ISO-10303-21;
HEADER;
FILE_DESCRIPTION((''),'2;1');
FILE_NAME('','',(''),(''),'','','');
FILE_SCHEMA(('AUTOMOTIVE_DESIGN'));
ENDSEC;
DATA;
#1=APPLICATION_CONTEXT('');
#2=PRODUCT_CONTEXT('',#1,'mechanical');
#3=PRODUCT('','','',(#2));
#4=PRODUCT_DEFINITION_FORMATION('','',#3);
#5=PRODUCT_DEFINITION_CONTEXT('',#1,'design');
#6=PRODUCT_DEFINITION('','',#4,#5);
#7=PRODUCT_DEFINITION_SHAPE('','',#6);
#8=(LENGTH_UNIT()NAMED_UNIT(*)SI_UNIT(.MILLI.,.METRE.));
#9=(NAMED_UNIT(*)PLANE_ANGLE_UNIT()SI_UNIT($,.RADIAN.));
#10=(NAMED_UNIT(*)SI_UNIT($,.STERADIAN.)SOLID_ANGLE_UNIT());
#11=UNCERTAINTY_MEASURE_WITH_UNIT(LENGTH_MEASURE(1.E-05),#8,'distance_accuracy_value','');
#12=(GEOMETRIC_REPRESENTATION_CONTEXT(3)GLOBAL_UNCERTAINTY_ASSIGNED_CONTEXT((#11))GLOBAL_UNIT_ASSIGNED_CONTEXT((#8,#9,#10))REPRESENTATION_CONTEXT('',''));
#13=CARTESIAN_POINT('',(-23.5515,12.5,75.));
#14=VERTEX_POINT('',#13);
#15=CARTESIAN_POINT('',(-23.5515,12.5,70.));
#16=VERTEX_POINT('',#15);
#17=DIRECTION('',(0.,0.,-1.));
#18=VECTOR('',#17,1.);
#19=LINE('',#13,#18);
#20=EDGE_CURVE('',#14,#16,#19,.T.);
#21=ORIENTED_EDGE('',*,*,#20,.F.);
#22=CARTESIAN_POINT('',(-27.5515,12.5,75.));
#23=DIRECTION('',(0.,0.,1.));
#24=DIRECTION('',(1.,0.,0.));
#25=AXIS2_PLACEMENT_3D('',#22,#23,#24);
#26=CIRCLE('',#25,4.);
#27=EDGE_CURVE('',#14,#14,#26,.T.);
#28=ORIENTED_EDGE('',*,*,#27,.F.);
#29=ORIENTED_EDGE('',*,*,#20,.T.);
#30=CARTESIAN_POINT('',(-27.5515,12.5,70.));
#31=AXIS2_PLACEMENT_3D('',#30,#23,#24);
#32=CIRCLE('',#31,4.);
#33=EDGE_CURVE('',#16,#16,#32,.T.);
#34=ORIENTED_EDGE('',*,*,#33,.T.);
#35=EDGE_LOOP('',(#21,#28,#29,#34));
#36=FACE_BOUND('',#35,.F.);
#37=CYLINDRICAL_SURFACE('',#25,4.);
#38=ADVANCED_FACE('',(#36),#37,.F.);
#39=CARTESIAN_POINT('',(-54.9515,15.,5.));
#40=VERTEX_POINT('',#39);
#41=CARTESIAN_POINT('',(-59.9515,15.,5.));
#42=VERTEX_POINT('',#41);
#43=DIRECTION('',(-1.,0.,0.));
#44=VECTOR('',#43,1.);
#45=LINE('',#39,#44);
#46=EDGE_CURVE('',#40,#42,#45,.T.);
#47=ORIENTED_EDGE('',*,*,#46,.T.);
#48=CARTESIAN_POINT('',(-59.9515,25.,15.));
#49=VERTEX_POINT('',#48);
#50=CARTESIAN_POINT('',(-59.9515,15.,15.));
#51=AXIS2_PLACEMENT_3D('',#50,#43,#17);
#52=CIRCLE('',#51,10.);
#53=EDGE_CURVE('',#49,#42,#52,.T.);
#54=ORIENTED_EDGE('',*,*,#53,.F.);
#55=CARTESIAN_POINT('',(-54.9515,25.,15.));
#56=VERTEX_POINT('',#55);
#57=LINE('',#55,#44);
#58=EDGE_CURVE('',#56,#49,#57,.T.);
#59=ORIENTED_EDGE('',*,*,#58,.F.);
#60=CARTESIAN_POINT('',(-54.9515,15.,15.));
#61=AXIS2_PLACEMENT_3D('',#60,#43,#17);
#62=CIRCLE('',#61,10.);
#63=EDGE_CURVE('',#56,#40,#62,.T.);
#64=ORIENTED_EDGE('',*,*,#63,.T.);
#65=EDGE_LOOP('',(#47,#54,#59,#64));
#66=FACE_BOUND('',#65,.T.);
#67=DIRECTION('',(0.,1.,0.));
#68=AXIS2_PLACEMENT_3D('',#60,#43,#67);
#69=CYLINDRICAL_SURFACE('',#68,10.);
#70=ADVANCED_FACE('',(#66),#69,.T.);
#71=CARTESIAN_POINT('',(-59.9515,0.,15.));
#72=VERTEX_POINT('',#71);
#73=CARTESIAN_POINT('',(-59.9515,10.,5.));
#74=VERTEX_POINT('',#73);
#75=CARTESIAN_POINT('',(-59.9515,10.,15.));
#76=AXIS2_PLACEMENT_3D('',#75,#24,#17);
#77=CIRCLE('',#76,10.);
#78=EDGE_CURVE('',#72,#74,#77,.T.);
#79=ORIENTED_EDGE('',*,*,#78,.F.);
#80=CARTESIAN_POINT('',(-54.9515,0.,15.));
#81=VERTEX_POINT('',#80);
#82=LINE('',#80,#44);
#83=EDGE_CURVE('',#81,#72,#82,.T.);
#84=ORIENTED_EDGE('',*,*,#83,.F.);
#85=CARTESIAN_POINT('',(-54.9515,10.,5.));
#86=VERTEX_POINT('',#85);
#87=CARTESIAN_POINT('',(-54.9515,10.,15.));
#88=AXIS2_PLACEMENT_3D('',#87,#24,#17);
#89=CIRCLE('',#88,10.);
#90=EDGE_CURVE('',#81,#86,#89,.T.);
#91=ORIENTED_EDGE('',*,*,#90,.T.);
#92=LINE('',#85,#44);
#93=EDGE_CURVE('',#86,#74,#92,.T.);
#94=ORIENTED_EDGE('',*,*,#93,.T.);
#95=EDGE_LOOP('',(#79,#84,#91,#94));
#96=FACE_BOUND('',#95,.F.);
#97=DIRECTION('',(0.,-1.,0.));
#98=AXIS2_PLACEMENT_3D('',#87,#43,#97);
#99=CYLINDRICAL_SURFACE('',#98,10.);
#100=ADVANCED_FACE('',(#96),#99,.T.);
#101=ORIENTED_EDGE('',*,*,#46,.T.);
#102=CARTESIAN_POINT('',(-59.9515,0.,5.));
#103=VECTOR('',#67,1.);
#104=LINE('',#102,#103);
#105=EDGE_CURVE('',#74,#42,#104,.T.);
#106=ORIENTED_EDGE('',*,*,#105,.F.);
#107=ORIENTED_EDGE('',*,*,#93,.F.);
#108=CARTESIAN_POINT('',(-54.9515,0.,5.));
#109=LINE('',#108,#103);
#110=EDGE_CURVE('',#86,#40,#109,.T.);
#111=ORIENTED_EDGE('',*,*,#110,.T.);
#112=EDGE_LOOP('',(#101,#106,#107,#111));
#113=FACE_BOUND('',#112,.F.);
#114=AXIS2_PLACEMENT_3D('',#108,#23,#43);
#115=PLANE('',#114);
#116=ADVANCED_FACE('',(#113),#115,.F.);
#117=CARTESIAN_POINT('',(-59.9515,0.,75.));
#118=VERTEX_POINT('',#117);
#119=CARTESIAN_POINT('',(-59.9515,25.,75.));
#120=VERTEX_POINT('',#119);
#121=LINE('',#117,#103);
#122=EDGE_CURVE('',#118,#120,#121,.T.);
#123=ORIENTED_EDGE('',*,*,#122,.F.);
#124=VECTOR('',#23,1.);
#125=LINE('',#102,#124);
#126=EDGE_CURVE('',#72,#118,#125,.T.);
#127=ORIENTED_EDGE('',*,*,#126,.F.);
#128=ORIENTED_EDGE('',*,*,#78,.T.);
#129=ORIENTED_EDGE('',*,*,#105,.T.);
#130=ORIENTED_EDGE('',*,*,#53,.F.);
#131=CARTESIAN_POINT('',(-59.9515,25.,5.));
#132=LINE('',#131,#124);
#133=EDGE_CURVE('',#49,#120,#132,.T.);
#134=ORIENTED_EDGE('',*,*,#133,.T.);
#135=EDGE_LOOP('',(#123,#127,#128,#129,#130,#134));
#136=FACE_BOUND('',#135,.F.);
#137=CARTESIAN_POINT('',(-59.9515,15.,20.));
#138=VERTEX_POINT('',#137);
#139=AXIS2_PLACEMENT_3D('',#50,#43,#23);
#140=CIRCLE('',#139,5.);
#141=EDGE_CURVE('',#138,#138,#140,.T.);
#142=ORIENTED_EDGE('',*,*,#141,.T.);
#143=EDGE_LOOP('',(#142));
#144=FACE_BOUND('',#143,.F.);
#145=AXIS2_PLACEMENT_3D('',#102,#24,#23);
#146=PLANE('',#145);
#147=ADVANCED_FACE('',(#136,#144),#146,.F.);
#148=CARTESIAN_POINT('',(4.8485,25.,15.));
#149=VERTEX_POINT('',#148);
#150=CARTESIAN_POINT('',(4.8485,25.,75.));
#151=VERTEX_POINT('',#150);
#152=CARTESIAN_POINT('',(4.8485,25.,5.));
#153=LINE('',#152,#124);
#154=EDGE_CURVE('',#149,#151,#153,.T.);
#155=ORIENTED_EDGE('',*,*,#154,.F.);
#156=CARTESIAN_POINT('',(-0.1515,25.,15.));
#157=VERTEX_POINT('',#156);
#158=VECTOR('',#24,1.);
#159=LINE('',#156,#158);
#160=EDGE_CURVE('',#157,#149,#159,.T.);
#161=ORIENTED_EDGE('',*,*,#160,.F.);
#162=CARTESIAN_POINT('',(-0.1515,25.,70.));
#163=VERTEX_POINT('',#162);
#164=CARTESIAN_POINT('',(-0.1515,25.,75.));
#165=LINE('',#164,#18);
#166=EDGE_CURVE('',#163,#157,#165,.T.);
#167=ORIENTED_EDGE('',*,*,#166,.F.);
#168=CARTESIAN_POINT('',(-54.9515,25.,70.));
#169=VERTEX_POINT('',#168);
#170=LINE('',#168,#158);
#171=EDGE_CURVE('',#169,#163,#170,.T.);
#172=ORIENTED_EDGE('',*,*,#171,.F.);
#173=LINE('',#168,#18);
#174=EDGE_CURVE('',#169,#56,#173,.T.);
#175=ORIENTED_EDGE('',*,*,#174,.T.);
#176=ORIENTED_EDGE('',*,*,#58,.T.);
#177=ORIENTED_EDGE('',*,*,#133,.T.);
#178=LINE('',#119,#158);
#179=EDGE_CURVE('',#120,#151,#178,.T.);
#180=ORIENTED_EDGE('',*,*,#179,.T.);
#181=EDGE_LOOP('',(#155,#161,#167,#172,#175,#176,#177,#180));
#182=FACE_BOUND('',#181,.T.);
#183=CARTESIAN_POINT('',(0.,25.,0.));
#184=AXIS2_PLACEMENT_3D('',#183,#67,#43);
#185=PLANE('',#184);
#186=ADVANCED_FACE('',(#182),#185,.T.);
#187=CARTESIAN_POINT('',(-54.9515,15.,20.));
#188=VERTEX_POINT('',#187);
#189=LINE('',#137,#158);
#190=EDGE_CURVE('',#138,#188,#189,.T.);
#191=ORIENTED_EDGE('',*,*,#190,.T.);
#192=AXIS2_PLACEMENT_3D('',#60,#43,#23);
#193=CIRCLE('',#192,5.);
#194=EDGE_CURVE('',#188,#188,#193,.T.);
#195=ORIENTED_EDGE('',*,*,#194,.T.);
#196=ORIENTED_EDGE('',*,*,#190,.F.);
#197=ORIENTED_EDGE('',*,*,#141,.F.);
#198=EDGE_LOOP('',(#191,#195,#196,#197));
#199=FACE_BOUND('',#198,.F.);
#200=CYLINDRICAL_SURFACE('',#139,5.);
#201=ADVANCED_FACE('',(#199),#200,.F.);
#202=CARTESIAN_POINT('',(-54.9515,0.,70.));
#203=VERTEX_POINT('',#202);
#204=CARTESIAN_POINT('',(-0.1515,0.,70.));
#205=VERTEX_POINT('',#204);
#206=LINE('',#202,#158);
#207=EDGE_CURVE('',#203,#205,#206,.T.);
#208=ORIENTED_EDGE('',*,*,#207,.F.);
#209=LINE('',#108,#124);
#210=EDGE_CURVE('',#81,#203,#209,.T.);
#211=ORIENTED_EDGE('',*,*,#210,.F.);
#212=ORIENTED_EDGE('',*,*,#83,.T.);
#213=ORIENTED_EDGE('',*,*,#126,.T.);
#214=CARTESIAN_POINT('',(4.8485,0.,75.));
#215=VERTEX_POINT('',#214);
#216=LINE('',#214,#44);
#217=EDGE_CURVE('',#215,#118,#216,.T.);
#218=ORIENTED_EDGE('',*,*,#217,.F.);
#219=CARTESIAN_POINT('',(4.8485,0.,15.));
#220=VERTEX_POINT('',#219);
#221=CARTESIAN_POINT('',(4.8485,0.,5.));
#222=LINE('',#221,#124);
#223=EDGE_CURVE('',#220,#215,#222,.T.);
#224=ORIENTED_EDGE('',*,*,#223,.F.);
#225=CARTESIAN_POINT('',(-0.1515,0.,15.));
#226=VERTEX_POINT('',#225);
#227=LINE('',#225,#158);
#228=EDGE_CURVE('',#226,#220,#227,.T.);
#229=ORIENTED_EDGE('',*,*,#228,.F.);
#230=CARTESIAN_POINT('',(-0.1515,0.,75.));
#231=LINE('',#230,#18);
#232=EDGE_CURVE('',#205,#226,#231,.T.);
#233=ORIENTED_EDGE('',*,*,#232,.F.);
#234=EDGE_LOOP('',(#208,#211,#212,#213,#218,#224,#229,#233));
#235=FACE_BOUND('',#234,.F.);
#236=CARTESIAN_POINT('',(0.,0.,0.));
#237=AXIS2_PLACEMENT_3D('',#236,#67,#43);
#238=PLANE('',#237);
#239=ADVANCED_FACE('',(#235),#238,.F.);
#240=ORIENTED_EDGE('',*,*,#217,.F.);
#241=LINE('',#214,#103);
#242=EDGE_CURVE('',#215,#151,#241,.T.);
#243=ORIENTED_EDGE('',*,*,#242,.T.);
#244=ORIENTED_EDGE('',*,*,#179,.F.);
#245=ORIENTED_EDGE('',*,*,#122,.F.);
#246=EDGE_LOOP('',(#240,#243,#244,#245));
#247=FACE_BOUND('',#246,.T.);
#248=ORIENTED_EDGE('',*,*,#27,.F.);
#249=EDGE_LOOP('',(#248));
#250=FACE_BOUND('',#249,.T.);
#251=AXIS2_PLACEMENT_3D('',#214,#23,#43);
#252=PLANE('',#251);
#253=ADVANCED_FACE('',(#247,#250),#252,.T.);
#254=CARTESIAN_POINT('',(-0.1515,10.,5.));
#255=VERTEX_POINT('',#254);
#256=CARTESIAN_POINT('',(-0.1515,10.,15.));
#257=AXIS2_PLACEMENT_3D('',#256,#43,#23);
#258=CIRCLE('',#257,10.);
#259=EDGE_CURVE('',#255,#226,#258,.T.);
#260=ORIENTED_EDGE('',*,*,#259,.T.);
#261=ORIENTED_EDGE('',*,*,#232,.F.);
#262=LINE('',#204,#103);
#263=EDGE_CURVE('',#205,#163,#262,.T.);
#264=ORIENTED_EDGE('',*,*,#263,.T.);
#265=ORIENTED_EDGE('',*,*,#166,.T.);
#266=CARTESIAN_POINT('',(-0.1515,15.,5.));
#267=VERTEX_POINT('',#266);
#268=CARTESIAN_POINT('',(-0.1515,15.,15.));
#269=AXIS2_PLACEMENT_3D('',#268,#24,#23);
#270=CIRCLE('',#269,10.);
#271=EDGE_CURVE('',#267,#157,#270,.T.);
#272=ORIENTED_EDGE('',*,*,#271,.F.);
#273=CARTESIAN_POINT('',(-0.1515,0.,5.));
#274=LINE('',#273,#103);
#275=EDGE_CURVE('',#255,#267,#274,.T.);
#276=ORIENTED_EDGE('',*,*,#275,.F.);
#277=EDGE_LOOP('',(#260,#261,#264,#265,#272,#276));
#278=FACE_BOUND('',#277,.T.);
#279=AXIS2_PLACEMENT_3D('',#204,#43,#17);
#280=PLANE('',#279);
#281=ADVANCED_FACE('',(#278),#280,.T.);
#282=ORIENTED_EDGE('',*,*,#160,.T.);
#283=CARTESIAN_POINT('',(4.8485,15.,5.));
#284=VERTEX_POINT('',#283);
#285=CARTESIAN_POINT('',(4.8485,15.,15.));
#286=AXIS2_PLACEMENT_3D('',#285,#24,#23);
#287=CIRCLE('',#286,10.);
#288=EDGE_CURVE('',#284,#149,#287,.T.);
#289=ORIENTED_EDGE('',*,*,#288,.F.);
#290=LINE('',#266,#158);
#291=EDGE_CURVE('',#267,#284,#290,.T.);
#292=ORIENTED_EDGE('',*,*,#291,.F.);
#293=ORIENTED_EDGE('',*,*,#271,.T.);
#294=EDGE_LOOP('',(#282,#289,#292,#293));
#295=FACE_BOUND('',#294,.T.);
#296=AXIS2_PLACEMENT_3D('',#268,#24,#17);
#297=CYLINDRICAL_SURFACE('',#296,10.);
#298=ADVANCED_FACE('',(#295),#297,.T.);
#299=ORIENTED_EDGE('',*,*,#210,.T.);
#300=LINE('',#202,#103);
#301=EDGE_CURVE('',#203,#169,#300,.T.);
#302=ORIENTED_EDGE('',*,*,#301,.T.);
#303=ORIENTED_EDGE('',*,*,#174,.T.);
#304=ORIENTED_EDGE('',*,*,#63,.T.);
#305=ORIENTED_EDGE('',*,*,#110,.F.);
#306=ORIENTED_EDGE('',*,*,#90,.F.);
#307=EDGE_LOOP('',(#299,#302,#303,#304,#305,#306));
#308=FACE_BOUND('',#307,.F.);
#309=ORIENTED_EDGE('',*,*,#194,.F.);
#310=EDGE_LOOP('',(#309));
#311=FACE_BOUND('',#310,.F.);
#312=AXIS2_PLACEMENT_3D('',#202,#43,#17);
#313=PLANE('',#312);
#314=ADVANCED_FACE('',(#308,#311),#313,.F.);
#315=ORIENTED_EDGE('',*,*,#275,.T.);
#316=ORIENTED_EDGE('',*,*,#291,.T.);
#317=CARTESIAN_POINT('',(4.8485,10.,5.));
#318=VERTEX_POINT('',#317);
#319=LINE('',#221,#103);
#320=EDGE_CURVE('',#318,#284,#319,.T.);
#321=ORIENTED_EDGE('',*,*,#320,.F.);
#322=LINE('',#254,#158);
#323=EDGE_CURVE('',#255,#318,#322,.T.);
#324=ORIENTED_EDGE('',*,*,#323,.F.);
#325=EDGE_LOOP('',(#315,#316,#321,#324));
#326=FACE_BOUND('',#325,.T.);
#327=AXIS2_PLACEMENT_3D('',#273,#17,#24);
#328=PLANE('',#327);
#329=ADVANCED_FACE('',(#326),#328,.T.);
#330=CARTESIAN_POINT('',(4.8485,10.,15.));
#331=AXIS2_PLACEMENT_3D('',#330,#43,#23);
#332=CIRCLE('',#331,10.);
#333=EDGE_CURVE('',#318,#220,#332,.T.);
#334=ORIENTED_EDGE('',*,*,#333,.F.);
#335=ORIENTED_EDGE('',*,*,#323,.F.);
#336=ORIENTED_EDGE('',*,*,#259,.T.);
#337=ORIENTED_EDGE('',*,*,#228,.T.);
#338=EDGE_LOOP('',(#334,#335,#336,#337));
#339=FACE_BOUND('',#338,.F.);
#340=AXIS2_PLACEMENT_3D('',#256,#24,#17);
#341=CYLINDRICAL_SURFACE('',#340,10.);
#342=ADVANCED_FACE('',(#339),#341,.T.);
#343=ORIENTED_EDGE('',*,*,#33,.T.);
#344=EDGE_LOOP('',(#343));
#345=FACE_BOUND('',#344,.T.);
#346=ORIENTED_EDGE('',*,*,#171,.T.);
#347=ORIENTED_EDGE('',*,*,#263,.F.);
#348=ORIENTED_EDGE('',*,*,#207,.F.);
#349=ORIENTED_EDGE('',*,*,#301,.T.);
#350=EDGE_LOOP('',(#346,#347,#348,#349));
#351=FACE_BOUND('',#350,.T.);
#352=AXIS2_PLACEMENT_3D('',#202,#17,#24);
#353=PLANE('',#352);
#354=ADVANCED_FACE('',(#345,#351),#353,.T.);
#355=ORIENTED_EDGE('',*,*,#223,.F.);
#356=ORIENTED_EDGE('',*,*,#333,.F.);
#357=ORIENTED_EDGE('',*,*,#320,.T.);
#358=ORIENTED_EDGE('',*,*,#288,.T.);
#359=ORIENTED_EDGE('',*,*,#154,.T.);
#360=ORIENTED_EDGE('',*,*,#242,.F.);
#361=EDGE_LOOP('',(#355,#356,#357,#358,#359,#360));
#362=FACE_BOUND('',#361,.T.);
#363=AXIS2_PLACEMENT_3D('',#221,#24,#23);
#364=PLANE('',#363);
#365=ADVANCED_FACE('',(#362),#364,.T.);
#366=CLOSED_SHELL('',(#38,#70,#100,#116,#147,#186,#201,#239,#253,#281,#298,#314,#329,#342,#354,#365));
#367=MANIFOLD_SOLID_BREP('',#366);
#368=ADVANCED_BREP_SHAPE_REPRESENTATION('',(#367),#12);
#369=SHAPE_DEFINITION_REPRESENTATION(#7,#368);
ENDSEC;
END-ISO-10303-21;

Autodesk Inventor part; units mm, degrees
ref_plane "YZ Plane" through (0, 0, 0) normal (1, 0, 0) x (0, 1, 0)
ref_plane "XZ Plane" through (0, 0, 0) normal (0, 1, 0) x (-1, 0, 0)
ref_plane "XY Plane" through (0, 0, 0) normal (0, 0, 1) x (1, 0, 0)
sketch "Sketch1" plane through (0, 0, 0) normal (0, 1, 0) x (-1, 0, 0)
  line L0 (0.1515, 5) -> (-4.8485, 5)
  line L1 (-4.8485, 5) -> (-4.8485, 75)
  line L2 (-4.8485, 75) -> (0.1515, 75)
  line L3 (0.1515, 75) -> (0.1515, 5)
  line L4 (54.9515, 5) -> (54.9515, 58.2)
  line L5 (54.9515, 5) -> (59.9515, 5)
  line L6 (59.9515, 5) -> (59.9515, 75)
  line L7 (59.9515, 75) -> (54.9515, 75)
  line L8 (54.9515, 75) -> (54.9515, 5)
  line L9 (0.1515, 75) -> (54.9515, 75)
  line L10 (54.9515, 75) -> (54.9515, 70)
  line L11 (54.9515, 70) -> (0.1515, 70)
  line L12 (0.1515, 70) -> (0.1515, 75)
  point P0 (0, 0)
  point P1 (55.2, 35)
  dimension "d0" = 5
  dimension "d1" = 70
  dimension "d2" = 5
  dimension "d3" = 5
  dimension "d10" = 54.8
extrude "Extrusion1" add sketch "Sketch1" along normal blind 25
fillet "Fillet1" radius 10 4 edges at (2.3485, 25, 5) (-57.4515, 25, 5) (2.3485, 0, 5) (-57.4515, 0, 5)
sketch "Sketch2" plane through (-59.9515, 0, 75) normal (-1, 0, 0) x (0, 0, 1)
  arc A0 (-60, 25) -> (-70, 15) centre (-60, 15) ccw projected
  circle A1 centre (-60, 15) radius 5
  point P0 (-75, 0)
  dimension "d7" = 10
extrude "Extrusion2" cut sketch "Sketch2" against normal blind 5
sketch "Sketch3" plane through (-0.1515, 0, 70) normal (-1, 0, 0) x (0, 0, 1)
  circle A0 centre (-55, 15) radius 5 projected
  circle A1 centre (-55, 15) radius 5
  point P0 (-70, 0)
sketch "Sketch4" plane through (-59.9515, 0, 75) normal (0, 0, 1) x (1, 0, 0)
  circle A0 centre (32.4, 12.5) radius 4
  line L0 (0, 0) -> (64.8, 0) projected
  line L1 (0, 0) -> (0, 25) projected
  point P0 (59.9515, 0)
  dimension "d11" = 8
  dimension "d12" = 12.5
  dimension "d13" = 32.4
  dimension "d14" = 25
  dimension "d15" = 64.8
extrude "Extrusion3" cut sketch "Sketch4" against normal blind 5
properties part number "Hombro"
